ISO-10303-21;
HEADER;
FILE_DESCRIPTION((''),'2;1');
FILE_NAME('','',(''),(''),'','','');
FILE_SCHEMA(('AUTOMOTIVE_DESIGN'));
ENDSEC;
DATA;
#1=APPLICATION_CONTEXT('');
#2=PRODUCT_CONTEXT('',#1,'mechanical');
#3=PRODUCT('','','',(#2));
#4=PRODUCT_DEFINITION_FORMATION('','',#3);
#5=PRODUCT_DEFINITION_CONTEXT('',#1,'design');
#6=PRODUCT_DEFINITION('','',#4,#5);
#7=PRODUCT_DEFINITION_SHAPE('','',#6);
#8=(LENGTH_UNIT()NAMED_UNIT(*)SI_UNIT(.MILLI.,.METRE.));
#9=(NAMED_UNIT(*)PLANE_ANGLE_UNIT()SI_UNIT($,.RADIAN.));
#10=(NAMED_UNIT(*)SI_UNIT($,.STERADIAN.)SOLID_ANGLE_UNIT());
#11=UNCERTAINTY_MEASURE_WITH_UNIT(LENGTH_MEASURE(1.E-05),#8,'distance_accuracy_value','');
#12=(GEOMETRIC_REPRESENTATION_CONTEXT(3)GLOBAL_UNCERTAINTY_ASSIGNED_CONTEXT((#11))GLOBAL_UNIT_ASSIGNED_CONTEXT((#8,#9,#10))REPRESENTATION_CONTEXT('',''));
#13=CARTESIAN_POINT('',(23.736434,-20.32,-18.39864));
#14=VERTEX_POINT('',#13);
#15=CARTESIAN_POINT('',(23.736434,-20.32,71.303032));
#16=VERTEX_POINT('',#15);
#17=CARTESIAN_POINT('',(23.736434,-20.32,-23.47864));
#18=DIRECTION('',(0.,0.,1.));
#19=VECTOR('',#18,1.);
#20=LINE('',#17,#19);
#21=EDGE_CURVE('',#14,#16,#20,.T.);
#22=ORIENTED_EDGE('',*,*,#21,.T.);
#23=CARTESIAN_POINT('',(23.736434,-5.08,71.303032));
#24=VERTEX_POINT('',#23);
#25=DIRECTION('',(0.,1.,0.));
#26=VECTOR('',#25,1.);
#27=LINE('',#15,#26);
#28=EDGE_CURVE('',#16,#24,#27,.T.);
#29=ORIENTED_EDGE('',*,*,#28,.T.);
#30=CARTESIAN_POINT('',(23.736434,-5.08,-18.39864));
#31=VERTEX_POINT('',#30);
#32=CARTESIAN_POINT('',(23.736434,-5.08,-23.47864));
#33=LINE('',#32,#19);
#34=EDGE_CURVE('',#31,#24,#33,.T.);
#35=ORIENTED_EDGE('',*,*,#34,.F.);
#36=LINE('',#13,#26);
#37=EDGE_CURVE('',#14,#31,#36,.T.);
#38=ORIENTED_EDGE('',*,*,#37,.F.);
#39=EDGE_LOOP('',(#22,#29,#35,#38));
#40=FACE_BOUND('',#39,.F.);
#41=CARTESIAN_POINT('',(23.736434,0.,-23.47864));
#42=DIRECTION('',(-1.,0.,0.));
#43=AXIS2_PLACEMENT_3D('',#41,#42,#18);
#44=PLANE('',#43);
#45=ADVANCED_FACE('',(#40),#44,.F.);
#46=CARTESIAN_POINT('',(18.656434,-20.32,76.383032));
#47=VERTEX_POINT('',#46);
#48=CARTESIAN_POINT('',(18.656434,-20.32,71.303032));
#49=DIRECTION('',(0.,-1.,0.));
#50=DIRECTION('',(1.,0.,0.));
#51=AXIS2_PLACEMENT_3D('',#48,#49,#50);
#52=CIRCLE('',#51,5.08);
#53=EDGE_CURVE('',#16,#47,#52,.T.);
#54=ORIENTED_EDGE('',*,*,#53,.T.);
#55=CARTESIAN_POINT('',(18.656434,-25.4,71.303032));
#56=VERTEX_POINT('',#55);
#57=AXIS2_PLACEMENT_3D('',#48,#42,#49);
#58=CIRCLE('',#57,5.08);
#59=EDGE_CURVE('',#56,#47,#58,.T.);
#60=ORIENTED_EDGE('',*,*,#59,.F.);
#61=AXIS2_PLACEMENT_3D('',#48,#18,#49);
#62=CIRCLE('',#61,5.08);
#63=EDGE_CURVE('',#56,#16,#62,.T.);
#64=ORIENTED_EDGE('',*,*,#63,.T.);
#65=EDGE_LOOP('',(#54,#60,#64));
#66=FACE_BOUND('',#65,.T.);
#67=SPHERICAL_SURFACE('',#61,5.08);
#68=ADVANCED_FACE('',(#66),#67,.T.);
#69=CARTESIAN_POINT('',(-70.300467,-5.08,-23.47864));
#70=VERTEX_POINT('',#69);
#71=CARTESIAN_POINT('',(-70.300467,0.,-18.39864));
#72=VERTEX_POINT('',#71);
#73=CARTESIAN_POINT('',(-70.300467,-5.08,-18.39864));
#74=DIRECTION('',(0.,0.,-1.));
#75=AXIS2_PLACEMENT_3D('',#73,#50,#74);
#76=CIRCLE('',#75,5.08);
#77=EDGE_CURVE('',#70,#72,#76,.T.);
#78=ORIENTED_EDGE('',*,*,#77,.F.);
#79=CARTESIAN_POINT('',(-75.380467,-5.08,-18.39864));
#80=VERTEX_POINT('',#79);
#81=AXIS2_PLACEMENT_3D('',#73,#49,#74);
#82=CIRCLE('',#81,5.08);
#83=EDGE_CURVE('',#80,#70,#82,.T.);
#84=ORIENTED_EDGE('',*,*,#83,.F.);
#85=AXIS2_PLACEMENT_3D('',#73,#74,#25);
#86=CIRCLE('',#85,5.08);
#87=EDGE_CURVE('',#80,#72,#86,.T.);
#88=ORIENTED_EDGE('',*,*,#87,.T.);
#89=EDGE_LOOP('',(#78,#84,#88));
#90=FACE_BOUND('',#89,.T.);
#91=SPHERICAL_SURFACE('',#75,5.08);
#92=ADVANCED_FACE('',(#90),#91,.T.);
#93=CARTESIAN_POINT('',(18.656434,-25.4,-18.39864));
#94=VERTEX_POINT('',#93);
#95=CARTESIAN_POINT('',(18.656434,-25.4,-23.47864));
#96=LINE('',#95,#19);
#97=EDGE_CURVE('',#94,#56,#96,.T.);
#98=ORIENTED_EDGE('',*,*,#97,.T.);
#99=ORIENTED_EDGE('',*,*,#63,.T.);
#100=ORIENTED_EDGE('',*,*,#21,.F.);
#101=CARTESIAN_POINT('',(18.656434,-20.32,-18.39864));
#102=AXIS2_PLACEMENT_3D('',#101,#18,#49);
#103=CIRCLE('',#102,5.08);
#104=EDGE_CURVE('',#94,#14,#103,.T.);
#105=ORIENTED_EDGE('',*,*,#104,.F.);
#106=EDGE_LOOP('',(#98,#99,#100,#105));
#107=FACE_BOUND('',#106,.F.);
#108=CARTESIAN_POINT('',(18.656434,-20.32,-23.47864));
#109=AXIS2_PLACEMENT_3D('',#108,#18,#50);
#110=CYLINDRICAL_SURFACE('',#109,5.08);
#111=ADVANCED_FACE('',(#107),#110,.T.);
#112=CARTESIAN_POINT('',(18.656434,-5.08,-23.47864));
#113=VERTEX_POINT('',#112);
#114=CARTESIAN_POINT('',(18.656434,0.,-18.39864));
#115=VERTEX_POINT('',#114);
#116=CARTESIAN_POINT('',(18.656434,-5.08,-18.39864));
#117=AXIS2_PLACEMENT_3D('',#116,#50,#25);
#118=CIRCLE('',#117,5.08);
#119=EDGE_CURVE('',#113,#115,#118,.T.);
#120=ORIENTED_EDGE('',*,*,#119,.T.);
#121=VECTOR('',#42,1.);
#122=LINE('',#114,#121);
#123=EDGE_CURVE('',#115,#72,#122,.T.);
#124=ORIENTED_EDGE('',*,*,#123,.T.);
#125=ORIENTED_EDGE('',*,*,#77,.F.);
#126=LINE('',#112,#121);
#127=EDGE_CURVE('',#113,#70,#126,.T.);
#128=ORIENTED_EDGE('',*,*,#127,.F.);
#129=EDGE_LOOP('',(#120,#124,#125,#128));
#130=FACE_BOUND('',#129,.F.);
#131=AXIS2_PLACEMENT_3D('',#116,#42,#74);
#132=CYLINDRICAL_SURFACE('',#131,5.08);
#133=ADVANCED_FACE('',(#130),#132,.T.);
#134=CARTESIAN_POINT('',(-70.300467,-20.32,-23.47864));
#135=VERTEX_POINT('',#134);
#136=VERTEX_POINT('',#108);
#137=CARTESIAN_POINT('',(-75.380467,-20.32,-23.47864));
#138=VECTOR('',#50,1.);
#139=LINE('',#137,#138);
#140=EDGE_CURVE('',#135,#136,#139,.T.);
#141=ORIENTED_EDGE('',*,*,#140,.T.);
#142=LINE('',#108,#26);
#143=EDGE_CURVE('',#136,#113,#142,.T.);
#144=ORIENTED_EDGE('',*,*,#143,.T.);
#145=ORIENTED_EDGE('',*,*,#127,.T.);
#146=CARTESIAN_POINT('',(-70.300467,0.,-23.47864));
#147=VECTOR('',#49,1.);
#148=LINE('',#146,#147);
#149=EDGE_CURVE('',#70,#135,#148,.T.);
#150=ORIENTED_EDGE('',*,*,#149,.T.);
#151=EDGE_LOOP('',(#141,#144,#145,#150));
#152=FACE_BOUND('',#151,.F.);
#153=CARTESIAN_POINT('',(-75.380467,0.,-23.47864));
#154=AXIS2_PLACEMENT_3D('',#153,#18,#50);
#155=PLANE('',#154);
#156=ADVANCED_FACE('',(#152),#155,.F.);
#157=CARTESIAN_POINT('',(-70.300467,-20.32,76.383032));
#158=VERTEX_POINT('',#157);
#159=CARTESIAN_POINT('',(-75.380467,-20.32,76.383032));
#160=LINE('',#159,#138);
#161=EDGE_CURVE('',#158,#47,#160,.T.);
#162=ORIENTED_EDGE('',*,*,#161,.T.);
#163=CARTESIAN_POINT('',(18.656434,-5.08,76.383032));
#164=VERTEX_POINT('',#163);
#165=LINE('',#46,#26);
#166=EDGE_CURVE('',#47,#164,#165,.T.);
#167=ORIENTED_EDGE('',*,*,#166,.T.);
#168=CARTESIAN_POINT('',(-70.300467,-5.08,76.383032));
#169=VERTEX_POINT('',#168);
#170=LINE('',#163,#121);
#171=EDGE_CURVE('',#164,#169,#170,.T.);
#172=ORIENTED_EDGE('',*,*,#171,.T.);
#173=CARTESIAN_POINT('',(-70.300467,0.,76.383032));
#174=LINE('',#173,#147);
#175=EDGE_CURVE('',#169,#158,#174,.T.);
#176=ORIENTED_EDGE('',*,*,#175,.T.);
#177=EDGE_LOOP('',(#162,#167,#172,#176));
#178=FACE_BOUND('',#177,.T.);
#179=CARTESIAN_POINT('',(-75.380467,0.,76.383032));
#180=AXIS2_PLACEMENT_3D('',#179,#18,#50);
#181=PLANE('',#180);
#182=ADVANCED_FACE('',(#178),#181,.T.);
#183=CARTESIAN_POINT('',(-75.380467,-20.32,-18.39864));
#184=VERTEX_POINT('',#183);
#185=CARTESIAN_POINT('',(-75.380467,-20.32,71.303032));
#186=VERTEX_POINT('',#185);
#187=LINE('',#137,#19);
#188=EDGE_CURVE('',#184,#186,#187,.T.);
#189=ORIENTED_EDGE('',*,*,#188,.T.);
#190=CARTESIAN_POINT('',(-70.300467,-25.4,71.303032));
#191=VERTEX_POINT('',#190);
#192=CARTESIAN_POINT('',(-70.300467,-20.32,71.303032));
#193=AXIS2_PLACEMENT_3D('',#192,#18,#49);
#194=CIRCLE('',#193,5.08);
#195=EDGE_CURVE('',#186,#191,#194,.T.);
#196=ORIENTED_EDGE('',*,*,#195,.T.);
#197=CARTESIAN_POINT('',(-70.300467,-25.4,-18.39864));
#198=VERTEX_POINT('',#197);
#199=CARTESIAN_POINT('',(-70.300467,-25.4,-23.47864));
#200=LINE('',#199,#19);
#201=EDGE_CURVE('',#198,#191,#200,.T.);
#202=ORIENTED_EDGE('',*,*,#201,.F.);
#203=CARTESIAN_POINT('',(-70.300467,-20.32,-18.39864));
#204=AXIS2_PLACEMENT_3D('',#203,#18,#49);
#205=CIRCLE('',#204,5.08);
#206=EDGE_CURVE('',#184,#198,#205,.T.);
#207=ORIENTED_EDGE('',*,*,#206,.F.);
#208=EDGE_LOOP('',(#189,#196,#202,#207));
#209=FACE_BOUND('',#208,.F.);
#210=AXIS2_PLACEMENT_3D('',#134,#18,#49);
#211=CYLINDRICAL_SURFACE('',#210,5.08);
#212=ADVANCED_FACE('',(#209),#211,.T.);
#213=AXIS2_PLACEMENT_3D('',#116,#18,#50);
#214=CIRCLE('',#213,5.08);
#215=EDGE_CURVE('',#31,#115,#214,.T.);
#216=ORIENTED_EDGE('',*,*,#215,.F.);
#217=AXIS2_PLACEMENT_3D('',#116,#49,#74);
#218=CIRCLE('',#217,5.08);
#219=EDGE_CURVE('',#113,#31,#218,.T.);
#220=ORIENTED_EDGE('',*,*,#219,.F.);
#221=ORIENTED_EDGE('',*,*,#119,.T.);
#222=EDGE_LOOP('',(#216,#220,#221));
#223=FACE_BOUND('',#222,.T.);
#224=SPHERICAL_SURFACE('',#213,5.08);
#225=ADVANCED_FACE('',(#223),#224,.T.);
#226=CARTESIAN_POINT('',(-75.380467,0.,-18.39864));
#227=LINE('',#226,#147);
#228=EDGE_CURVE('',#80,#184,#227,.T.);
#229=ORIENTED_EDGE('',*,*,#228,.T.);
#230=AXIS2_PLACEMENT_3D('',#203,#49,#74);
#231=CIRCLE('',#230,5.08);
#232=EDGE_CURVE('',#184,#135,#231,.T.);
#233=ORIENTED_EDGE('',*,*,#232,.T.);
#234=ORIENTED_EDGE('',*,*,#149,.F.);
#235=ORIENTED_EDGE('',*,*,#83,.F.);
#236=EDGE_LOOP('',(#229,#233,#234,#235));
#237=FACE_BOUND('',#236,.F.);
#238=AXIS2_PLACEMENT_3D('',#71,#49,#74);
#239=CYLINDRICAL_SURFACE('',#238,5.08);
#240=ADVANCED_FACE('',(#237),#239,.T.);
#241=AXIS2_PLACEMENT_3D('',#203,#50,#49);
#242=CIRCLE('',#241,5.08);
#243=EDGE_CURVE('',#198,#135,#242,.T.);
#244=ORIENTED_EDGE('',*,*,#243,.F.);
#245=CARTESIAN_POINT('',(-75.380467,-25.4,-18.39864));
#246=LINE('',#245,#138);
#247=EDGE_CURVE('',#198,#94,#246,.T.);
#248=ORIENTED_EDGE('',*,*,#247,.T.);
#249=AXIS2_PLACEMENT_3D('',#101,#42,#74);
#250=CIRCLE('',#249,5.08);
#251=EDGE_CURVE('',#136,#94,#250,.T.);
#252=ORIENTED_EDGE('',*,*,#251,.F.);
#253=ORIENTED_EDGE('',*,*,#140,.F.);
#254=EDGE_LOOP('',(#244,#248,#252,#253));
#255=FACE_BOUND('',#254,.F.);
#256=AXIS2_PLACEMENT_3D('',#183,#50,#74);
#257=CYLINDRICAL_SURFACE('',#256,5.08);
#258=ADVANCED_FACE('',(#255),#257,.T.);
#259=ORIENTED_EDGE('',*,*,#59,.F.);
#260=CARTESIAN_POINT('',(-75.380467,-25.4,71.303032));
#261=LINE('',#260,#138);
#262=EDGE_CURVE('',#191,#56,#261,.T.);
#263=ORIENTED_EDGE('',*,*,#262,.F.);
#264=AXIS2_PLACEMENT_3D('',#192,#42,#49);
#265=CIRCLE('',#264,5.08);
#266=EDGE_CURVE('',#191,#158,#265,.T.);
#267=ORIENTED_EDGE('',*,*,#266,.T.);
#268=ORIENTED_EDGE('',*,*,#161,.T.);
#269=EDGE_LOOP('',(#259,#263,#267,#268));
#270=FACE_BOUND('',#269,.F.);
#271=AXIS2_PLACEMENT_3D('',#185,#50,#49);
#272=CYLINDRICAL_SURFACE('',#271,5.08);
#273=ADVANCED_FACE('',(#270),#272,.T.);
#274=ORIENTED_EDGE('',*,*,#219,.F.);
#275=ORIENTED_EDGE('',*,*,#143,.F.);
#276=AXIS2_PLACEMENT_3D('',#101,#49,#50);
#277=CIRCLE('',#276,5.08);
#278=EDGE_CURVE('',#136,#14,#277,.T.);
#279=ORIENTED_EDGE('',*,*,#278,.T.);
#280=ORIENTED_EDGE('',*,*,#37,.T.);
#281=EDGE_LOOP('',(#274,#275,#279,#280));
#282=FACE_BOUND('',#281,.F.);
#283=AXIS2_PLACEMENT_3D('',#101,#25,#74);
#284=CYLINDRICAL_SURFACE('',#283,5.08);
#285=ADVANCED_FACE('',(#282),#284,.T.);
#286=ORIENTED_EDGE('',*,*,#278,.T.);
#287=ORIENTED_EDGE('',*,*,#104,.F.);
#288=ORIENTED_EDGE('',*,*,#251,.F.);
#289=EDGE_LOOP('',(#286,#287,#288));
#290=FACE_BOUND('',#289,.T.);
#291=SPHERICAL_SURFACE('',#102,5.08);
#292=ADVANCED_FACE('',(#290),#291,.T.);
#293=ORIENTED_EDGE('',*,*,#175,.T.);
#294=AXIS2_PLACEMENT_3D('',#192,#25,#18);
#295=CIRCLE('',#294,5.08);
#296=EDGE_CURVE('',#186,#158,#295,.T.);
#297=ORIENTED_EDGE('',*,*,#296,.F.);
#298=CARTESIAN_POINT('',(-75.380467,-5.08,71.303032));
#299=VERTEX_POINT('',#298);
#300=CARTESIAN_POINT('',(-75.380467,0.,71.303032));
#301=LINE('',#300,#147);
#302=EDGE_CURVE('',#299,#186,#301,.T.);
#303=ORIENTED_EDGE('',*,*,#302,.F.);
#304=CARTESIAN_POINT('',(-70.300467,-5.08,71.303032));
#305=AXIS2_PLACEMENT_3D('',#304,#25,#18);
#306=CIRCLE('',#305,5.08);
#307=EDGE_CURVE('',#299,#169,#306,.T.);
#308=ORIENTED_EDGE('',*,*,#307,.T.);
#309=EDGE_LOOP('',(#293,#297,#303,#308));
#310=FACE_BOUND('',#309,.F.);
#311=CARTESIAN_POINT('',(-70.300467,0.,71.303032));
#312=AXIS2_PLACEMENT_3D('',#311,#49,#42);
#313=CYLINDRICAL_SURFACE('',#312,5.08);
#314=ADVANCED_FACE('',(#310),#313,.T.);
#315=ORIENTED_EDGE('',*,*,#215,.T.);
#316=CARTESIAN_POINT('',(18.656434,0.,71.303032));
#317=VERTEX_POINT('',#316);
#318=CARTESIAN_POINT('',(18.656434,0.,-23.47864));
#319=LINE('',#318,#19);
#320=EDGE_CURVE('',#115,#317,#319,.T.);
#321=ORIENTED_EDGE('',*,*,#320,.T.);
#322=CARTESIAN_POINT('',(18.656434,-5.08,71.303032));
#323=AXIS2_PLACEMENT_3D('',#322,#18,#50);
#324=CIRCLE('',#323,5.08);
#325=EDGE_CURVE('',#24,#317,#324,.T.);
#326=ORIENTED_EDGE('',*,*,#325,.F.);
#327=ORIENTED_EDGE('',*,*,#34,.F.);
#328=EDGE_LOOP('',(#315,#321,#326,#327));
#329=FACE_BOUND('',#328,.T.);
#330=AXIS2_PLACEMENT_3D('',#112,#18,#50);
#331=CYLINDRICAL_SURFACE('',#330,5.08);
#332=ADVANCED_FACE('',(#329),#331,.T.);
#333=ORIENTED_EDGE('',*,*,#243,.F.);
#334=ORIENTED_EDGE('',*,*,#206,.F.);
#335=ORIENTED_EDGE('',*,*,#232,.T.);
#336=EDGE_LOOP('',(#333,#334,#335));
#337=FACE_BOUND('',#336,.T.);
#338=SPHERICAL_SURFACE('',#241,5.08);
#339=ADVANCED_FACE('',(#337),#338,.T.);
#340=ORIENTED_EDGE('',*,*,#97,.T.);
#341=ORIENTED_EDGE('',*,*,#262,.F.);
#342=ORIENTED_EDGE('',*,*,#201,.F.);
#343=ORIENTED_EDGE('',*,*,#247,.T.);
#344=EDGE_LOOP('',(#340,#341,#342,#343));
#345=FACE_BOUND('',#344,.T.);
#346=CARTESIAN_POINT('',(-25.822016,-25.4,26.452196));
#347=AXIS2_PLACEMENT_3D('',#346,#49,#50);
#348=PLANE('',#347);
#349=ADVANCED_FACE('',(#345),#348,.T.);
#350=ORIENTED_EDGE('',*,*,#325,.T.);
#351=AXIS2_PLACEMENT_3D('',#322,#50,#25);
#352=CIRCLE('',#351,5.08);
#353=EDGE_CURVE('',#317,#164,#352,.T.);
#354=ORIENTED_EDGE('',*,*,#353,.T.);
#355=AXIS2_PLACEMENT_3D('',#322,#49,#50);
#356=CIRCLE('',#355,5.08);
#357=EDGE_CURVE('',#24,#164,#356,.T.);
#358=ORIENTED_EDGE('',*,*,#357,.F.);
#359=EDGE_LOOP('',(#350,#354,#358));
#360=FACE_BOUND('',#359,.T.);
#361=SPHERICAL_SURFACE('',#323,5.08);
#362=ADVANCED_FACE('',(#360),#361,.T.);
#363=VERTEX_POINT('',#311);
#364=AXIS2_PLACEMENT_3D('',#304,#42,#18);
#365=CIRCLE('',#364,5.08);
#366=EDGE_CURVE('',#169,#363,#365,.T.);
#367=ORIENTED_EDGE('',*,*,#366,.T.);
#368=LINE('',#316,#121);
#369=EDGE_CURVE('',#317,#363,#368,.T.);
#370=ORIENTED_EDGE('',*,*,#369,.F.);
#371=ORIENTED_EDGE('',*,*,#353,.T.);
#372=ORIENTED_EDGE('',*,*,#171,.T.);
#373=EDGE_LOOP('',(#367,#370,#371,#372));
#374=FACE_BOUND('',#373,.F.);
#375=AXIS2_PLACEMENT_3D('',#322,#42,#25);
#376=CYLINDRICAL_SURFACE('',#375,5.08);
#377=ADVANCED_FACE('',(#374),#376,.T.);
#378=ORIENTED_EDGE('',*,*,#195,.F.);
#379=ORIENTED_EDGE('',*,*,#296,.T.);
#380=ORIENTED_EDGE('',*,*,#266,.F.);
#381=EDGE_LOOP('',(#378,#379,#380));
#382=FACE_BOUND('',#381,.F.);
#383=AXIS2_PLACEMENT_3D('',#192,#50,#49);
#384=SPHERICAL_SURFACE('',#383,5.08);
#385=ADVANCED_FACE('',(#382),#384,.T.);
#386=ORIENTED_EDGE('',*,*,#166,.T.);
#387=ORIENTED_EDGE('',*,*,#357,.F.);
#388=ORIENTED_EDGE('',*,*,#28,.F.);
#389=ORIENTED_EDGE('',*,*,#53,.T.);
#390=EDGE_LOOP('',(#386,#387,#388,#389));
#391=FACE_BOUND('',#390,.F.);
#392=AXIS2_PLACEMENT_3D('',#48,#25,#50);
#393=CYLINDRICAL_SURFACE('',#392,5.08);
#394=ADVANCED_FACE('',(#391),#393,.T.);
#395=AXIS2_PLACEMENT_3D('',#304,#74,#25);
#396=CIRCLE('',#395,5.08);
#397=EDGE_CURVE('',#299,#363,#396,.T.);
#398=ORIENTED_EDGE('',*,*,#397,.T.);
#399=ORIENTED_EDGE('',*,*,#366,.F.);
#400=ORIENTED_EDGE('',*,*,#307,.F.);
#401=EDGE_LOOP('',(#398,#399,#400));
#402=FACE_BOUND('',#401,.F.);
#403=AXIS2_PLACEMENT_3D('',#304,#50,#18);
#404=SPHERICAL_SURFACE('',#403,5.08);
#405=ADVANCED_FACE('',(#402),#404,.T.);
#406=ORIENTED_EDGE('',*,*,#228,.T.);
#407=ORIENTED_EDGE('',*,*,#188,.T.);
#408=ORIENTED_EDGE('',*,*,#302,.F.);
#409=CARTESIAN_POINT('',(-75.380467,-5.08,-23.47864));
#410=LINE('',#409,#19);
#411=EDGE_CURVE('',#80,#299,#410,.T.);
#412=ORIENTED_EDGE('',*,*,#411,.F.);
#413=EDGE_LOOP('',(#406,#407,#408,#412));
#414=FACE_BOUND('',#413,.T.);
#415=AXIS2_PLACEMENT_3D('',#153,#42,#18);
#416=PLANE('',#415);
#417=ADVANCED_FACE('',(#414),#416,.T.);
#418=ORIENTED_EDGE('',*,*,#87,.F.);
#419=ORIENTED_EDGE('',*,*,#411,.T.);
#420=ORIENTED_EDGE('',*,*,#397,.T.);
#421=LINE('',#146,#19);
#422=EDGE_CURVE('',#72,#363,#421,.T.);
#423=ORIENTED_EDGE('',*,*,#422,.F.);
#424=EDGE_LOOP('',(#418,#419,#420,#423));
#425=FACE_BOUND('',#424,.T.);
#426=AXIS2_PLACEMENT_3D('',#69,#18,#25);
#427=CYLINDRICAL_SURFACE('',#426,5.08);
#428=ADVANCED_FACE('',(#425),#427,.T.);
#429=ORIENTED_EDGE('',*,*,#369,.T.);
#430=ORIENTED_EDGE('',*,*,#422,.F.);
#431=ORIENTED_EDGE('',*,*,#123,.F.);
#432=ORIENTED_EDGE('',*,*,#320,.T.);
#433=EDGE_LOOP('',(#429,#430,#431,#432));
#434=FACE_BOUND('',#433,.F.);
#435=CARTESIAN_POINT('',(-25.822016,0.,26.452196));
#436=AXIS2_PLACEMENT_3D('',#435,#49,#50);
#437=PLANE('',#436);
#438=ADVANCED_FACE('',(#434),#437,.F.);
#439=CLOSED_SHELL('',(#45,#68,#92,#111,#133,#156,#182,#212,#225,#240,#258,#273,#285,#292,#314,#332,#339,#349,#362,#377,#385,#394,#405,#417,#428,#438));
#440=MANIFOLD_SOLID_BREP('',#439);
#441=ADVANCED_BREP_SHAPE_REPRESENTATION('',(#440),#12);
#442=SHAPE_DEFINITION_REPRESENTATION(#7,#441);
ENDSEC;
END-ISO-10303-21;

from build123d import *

# Parameters (mm, degrees)
F0_W     = 99.1169009358
F0_H     = 99.8616721481
F1_DEPTH = 25.4
F2_R     = 5.08
F3_R     = 5.08


with BuildPart() as f1:
    # F0 (on Front) → F1 (new body)
    with BuildSketch(Plane.XZ):
        with Locations((-25.8220164105, 26.4521958306)):
            Rectangle(F0_W, F0_H)
    extrude(amount=F1_DEPTH)

    # F2
    f2_edges = [f1.edges().sort_by_distance(p)[0] for p in [
        (23.736434, -25.4, 26.452196),
        (23.736434, 0, 26.452196),
    ]]
    fillet(f2_edges, radius=F2_R)

    # F3
    f3_edges = [f1.edges().sort_by_distance(p)[0] for p in [
        (-28.362016, -25.4, -23.47864),
        (-28.362016, 0, -23.47864),
        (-28.362016, -25.4, 76.383032),
        (18.656434, -25.4, 26.452196),
        (-75.380467, -25.4, 26.452196),
        (-75.380467, -12.7, 76.383032),
        (-75.380467, -12.7, -23.47864),
        (-75.380467, 0, 26.452196),
        (22.248537, -1.487898, -23.47864),
        (23.736434, -5.08, 26.452196),
        (18.656434, 0, 26.452196),
        (22.248537, -1.487898, 76.383032),
        (22.248537, -23.912102, -23.47864),
        (23.736434, -20.32, 26.452196),
        (22.248537, -23.912102, 76.383032),
        (-28.362016, 0, 76.383032),
        (23.736434, -12.7, 76.383032),
        (23.736434, -12.7, -23.47864),
    ]]
    fillet(f3_edges, radius=F3_R)


solid = f1.part
